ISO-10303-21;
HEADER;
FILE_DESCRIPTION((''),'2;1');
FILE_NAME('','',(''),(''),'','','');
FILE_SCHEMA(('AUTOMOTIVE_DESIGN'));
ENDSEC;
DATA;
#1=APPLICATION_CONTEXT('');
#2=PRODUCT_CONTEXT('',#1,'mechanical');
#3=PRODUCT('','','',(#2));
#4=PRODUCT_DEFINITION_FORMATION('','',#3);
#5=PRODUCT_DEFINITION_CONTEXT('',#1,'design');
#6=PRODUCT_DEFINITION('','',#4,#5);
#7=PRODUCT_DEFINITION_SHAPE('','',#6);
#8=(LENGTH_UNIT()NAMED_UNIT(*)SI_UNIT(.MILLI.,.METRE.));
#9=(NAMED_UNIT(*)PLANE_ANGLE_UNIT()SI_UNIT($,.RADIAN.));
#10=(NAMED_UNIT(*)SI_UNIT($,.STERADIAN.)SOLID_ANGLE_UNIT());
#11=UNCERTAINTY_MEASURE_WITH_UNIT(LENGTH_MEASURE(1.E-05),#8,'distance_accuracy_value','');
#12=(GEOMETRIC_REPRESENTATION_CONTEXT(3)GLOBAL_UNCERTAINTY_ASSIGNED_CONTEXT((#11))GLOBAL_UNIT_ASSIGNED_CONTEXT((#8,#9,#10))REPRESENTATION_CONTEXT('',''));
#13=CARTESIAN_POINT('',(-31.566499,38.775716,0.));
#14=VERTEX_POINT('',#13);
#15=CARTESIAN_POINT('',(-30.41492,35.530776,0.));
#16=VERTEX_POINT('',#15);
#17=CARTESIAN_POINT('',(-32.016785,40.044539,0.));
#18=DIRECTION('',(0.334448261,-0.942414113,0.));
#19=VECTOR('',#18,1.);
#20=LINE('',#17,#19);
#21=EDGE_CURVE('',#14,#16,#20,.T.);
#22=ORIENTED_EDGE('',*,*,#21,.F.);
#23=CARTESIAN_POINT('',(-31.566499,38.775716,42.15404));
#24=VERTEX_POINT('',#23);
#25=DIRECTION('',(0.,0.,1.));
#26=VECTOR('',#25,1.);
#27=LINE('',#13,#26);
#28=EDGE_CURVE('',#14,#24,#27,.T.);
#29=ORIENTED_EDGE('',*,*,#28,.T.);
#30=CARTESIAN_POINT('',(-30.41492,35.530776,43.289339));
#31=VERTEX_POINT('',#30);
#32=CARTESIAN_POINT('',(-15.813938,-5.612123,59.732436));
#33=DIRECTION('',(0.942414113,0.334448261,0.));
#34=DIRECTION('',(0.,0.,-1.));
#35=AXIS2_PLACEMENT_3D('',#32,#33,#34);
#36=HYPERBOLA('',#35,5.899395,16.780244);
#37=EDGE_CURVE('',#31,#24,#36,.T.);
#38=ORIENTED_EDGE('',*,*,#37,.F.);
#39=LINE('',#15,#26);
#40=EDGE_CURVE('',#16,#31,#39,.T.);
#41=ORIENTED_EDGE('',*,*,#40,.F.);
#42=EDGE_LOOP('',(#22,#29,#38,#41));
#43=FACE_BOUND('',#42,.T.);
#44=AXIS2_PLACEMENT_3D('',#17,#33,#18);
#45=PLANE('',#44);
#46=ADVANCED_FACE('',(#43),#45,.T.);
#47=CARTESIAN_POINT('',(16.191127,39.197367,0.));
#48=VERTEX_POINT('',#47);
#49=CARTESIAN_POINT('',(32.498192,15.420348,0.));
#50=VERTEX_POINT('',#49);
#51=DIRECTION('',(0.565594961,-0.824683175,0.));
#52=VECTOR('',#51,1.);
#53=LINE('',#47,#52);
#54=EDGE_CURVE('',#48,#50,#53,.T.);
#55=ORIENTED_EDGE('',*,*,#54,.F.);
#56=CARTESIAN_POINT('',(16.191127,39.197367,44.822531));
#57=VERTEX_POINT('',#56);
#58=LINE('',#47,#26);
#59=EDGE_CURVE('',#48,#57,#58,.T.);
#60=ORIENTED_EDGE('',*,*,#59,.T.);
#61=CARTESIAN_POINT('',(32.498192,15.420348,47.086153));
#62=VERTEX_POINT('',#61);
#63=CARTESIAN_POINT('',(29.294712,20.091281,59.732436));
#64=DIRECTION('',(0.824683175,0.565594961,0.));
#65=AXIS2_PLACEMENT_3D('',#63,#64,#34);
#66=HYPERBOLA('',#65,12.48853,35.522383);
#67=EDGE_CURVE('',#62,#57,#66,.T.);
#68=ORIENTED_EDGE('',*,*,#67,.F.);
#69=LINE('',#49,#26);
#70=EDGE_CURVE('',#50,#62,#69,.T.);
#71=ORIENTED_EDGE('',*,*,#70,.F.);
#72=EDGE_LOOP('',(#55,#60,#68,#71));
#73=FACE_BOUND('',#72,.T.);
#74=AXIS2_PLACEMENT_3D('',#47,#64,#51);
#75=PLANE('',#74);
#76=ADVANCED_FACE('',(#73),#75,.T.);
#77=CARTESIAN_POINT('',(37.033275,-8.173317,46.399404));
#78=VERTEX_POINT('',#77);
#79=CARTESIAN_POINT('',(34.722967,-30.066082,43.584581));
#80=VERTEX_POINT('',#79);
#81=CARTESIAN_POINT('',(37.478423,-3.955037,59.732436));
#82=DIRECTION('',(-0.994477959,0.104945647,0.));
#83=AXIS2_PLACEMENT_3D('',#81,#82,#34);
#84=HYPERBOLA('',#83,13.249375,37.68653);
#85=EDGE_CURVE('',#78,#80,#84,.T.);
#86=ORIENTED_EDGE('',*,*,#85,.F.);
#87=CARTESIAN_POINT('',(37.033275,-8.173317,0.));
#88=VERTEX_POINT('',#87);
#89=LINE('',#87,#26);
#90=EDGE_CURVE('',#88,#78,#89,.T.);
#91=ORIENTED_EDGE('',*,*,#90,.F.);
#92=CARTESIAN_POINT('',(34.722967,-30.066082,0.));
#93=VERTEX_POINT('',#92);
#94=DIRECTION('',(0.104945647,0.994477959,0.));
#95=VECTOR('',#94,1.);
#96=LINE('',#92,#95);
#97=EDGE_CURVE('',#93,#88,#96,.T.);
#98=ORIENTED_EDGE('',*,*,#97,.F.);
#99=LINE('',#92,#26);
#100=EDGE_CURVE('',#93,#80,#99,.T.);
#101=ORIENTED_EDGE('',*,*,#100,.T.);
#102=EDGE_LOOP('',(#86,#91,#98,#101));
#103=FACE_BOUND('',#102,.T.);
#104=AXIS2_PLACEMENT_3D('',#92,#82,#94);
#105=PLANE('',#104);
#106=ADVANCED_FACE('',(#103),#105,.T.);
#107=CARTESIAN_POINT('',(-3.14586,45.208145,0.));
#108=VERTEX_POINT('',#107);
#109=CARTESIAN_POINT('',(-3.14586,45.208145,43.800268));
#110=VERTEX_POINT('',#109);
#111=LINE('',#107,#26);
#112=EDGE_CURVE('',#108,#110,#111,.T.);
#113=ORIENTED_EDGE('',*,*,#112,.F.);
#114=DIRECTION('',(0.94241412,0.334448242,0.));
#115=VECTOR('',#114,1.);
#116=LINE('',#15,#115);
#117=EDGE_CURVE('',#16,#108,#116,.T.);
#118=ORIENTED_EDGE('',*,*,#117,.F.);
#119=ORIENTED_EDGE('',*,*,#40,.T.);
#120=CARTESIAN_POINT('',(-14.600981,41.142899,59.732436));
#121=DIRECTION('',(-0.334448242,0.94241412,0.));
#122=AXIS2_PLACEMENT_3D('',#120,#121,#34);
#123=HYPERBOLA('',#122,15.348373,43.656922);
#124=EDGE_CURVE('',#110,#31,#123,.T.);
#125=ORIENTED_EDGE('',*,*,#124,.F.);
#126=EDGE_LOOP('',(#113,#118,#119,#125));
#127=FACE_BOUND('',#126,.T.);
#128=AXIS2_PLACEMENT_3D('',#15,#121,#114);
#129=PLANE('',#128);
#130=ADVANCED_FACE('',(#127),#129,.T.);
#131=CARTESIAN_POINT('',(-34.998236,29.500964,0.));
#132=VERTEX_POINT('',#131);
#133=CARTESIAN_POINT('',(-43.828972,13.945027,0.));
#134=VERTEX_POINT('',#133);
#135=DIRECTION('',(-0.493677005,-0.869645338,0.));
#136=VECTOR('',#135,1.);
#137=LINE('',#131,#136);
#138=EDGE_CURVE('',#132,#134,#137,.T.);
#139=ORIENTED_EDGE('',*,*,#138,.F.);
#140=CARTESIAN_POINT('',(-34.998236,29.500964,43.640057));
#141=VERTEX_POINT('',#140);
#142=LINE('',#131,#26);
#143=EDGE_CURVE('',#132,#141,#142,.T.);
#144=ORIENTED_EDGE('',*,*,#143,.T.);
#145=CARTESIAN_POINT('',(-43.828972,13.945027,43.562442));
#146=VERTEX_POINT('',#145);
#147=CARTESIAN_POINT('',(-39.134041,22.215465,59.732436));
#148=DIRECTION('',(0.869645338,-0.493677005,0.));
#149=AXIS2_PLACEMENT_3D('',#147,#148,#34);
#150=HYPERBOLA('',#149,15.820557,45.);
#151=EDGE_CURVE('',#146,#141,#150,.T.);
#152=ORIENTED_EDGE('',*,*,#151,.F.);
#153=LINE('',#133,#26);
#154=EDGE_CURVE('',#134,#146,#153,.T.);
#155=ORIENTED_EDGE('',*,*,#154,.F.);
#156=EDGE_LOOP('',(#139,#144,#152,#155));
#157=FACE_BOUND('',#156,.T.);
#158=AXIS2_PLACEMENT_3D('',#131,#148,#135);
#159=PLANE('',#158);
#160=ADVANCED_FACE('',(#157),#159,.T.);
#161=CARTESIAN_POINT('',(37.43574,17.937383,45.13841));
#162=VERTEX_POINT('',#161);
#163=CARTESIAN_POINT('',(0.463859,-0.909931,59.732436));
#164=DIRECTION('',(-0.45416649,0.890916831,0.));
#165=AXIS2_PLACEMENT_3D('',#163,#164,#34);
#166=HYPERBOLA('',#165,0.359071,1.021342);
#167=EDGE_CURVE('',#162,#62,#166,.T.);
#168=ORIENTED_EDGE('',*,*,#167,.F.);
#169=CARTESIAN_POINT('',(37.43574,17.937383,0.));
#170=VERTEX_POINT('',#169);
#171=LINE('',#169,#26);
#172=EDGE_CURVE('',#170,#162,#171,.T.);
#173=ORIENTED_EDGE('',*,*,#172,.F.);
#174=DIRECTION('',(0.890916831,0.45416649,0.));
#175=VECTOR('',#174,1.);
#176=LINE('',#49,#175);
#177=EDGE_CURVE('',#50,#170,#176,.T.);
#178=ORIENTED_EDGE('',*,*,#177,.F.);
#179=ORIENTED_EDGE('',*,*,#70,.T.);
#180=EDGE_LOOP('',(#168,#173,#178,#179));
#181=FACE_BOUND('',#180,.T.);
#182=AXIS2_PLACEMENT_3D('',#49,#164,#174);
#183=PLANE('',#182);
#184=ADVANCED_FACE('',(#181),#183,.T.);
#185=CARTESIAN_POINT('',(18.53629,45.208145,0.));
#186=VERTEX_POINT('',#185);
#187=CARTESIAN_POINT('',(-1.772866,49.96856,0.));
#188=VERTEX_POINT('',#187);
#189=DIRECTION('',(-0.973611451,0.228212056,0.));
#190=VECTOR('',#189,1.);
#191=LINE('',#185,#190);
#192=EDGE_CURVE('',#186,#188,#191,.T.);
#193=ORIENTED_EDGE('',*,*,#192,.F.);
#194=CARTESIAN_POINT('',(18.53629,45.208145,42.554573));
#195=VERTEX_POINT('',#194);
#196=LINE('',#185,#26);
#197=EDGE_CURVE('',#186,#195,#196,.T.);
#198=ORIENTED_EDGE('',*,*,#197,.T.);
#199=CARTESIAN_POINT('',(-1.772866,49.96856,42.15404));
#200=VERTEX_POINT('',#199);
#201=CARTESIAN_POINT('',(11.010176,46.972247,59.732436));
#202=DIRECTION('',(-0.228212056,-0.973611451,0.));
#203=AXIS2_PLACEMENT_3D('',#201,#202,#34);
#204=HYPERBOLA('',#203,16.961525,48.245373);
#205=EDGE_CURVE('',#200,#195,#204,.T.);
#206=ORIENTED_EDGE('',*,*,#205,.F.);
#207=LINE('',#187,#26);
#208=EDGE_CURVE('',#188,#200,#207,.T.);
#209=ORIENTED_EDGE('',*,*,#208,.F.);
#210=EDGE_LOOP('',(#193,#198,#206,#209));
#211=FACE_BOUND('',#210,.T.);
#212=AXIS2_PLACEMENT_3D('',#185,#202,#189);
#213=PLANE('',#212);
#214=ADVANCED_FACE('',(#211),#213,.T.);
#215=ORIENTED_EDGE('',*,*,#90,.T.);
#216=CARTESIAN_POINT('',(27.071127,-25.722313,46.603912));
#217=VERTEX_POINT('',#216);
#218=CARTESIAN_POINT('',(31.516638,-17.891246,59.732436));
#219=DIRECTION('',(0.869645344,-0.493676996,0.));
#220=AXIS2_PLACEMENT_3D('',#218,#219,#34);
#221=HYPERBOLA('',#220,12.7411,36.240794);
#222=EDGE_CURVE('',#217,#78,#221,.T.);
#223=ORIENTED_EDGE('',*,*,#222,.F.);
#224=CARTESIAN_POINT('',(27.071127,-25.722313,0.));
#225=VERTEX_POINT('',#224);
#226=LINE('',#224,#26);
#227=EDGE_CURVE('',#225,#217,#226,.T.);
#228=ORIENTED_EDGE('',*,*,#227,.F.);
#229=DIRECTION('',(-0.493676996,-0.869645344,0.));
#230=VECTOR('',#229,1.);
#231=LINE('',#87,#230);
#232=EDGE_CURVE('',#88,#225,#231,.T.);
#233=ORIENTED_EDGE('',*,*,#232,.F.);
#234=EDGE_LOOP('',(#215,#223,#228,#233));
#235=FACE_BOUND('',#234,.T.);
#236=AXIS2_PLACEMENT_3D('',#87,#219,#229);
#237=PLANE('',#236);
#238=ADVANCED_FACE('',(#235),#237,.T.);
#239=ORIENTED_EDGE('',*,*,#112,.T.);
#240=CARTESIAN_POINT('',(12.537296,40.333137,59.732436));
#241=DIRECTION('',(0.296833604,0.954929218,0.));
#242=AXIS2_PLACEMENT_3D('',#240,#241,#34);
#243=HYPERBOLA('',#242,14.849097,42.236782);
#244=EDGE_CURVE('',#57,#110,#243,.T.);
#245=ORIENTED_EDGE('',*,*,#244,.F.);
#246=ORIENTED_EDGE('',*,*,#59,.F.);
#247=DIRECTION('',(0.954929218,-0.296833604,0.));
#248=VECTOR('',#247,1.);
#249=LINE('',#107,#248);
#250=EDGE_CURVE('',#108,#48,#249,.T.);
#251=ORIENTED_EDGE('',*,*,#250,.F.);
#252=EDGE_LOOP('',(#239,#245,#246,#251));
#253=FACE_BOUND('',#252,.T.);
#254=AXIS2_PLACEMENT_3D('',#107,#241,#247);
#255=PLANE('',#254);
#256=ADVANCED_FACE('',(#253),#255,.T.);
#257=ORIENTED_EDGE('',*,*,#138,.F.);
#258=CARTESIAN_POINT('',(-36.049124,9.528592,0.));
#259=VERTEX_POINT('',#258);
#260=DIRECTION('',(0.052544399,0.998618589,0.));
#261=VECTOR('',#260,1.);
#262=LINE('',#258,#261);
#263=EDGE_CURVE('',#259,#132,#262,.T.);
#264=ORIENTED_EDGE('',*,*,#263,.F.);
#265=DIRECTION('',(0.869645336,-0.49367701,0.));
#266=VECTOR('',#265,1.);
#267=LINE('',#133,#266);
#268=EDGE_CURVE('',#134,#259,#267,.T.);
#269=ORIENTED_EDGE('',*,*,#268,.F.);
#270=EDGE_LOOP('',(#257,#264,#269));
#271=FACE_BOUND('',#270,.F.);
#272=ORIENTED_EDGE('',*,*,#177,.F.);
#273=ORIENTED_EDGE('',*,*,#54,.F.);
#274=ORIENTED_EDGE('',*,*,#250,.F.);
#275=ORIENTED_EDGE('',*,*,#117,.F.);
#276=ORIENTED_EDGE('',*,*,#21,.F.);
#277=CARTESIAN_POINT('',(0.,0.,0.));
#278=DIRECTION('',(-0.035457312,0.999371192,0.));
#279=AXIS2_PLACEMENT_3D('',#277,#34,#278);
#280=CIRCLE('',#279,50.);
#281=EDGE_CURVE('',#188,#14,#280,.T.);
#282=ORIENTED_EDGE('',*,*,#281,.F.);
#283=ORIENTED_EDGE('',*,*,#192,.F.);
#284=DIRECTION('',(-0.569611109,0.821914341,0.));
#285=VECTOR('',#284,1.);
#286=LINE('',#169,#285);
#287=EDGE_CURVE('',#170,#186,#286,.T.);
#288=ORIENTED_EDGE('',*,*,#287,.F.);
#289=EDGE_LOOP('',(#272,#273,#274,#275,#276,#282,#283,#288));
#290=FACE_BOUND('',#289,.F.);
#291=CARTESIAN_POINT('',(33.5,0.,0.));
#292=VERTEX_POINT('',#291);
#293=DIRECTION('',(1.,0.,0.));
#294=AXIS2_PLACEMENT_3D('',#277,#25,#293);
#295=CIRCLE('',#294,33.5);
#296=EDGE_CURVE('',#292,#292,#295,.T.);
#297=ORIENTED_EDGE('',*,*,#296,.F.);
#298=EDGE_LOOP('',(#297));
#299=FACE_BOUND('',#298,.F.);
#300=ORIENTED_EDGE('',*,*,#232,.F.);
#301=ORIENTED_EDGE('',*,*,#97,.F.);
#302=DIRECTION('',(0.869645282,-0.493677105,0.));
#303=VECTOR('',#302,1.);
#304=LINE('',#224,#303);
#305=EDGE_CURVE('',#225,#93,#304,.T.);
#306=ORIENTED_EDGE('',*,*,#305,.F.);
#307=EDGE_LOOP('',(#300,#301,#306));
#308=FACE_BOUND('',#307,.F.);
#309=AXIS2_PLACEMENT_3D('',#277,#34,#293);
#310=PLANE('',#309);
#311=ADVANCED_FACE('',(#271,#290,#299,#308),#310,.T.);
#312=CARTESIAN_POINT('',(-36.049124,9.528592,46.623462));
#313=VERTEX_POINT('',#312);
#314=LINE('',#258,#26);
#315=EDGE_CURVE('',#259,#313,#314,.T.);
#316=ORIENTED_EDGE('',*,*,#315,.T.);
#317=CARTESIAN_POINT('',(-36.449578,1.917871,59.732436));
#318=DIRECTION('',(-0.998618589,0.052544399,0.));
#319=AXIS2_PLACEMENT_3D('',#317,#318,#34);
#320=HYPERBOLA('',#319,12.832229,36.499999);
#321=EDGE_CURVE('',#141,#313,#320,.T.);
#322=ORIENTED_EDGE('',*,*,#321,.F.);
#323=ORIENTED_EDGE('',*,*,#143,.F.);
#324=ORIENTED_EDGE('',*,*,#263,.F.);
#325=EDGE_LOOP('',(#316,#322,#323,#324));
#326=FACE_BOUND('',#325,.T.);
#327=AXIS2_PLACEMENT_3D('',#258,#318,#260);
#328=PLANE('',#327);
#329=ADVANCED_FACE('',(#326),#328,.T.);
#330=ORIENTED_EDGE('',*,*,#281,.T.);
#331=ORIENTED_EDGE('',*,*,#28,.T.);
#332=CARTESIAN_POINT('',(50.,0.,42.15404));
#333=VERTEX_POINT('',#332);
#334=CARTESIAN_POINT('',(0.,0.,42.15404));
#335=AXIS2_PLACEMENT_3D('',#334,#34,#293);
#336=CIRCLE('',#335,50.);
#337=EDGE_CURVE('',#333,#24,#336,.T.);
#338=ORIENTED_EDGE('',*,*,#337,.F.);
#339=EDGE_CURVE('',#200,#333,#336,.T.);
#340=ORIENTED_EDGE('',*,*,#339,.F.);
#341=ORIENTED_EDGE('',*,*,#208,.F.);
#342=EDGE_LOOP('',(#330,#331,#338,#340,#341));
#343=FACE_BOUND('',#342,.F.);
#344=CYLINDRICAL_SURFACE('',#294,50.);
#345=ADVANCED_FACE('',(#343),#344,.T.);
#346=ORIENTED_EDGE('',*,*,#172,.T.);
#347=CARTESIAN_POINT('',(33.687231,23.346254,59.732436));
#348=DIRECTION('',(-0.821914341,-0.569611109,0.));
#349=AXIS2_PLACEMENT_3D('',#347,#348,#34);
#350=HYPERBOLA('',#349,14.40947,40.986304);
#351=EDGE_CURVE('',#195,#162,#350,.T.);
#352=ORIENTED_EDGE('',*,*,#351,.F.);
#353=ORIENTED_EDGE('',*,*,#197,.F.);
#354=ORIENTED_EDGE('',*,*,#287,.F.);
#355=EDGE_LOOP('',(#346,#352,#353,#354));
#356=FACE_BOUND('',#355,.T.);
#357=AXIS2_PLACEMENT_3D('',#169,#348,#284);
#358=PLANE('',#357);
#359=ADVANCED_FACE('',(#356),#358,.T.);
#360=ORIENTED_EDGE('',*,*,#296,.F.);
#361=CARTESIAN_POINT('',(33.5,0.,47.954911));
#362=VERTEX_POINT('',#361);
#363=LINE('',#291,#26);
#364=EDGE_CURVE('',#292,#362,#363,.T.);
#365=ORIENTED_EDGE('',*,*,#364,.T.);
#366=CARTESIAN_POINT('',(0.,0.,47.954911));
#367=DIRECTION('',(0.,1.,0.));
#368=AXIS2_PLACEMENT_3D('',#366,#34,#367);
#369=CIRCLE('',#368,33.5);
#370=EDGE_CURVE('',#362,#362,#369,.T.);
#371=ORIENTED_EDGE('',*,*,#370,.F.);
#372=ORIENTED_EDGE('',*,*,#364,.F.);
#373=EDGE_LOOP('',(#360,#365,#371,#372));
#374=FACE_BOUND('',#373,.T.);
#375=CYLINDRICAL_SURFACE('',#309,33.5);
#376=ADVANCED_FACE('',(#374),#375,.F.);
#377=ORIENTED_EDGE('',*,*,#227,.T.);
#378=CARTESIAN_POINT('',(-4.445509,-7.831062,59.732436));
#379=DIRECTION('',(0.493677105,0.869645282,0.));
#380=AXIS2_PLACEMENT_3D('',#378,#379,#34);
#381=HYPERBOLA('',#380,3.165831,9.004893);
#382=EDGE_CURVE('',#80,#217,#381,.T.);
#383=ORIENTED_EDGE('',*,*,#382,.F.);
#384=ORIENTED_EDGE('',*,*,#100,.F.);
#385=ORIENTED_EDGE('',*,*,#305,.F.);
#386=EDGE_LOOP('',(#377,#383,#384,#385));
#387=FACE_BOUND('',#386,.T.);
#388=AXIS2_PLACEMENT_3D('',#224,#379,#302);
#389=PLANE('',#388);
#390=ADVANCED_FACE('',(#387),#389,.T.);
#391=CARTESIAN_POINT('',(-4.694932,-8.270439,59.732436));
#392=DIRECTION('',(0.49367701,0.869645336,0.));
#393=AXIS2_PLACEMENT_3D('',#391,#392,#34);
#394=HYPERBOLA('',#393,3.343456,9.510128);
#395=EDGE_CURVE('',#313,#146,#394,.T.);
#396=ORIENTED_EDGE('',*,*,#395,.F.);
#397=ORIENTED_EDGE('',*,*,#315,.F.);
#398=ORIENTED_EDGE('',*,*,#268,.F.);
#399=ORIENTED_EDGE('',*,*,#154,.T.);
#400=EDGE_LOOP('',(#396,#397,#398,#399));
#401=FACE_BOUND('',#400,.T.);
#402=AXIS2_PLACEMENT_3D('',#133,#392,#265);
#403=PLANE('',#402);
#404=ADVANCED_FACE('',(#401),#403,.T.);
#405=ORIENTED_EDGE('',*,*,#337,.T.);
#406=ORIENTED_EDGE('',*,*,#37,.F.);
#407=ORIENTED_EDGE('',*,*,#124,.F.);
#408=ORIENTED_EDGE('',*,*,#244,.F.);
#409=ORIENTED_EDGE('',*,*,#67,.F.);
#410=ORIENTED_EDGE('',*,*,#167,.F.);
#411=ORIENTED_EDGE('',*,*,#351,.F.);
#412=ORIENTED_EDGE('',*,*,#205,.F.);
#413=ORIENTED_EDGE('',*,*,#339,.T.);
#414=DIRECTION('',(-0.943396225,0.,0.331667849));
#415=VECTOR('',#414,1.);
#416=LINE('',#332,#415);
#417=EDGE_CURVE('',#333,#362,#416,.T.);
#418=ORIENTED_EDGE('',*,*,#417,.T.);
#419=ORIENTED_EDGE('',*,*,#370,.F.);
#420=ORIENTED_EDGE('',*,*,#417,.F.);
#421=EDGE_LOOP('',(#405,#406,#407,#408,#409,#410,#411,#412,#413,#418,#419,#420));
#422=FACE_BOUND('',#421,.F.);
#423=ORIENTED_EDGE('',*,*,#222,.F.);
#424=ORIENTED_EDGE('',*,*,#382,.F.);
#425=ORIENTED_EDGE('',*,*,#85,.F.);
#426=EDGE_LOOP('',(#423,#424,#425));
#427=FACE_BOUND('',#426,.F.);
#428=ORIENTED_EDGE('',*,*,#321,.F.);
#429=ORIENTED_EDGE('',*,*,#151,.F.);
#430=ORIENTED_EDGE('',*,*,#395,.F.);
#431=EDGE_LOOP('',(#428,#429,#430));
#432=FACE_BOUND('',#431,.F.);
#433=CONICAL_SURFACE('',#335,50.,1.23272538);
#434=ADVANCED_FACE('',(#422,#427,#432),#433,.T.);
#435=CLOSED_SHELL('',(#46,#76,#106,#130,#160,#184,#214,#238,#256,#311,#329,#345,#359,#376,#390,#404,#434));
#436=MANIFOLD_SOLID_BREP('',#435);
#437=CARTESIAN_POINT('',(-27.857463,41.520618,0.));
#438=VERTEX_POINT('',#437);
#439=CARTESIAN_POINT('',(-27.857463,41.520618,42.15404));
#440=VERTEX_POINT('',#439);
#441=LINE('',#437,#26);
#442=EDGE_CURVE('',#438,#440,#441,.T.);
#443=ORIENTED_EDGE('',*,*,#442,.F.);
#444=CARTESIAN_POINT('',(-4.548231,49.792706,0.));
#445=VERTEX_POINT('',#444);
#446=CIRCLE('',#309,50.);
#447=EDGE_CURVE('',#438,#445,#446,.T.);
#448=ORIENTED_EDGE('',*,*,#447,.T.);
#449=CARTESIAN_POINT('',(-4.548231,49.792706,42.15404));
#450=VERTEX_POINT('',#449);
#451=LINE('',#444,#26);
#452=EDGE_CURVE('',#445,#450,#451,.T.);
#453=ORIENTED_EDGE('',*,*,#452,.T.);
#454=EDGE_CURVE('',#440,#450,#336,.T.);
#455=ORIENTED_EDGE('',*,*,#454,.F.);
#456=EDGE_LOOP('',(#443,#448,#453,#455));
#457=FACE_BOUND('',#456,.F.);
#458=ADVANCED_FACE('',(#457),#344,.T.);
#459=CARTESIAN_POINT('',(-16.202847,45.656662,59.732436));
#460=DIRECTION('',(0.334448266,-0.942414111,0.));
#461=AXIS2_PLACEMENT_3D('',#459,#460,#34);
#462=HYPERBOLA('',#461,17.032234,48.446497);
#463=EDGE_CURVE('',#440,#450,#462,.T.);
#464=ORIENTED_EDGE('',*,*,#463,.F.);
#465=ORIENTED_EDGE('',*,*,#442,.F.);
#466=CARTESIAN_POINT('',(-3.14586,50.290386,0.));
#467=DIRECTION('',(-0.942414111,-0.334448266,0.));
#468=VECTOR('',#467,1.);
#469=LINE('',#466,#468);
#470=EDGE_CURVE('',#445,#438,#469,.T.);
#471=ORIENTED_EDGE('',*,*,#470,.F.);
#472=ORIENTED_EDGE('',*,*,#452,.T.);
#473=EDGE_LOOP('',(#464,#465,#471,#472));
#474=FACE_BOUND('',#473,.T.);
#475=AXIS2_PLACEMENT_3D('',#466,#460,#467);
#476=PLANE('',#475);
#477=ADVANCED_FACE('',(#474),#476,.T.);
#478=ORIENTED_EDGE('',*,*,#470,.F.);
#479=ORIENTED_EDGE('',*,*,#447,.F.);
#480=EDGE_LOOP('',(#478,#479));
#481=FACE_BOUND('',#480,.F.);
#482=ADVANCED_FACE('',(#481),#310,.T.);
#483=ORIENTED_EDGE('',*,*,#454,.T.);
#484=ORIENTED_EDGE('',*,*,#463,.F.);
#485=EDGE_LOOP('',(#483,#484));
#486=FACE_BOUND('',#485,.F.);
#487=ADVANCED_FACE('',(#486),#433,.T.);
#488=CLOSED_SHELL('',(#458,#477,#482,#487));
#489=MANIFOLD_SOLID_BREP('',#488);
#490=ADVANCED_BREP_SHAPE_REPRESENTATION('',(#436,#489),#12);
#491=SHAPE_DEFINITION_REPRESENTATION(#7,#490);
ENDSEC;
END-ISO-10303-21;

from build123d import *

# Parameters (mm, degrees)
F2_R     = 33.5
F3_DEPTH = 60.3
F5_DEPTH = 185.2
F7_DEPTH = 513.9


with BuildPart() as f1:
    # F0 (on Front) → F1 (revolve)
    with BuildSketch(Plane.XZ):
        Polygon((0, 59.732436), (0, 0), (50, 0), (50, 42.15404), align=None)
    revolve(axis=Axis((0, 0, 30.367568), (0, 0, -1)))

    # F2 (on Top) → F3 (cut)
    with BuildSketch(Plane.XY):
        Circle(F2_R)
    extrude(amount=F3_DEPTH, mode=Mode.SUBTRACT)

    # F4 (on Top) → F5 (cut)
    with BuildSketch(Plane.XY):
        Polygon((34.722967, -30.066082), (37.033275, -8.173317), (27.071127, -25.722313), align=None)
        Polygon((-36.049124, 9.528592), (-34.998236, 29.500964), (-43.828972, 13.945027), align=None)
    extrude(amount=F5_DEPTH, mode=Mode.SUBTRACT)

    # F6 (on Top) → F7 (cut)
    with BuildSketch(Plane.XY):
        Polygon((16.191127, 39.197367), (32.498192, 15.420348), (37.43574, 17.937383), (18.53629, 45.208145), (-3.14586, 50.290386), (-32.016785, 40.044539), (-30.41492, 35.530776), (-3.14586, 45.208145), align=None)
    extrude(amount=F7_DEPTH, mode=Mode.SUBTRACT)


solid = f1.part
